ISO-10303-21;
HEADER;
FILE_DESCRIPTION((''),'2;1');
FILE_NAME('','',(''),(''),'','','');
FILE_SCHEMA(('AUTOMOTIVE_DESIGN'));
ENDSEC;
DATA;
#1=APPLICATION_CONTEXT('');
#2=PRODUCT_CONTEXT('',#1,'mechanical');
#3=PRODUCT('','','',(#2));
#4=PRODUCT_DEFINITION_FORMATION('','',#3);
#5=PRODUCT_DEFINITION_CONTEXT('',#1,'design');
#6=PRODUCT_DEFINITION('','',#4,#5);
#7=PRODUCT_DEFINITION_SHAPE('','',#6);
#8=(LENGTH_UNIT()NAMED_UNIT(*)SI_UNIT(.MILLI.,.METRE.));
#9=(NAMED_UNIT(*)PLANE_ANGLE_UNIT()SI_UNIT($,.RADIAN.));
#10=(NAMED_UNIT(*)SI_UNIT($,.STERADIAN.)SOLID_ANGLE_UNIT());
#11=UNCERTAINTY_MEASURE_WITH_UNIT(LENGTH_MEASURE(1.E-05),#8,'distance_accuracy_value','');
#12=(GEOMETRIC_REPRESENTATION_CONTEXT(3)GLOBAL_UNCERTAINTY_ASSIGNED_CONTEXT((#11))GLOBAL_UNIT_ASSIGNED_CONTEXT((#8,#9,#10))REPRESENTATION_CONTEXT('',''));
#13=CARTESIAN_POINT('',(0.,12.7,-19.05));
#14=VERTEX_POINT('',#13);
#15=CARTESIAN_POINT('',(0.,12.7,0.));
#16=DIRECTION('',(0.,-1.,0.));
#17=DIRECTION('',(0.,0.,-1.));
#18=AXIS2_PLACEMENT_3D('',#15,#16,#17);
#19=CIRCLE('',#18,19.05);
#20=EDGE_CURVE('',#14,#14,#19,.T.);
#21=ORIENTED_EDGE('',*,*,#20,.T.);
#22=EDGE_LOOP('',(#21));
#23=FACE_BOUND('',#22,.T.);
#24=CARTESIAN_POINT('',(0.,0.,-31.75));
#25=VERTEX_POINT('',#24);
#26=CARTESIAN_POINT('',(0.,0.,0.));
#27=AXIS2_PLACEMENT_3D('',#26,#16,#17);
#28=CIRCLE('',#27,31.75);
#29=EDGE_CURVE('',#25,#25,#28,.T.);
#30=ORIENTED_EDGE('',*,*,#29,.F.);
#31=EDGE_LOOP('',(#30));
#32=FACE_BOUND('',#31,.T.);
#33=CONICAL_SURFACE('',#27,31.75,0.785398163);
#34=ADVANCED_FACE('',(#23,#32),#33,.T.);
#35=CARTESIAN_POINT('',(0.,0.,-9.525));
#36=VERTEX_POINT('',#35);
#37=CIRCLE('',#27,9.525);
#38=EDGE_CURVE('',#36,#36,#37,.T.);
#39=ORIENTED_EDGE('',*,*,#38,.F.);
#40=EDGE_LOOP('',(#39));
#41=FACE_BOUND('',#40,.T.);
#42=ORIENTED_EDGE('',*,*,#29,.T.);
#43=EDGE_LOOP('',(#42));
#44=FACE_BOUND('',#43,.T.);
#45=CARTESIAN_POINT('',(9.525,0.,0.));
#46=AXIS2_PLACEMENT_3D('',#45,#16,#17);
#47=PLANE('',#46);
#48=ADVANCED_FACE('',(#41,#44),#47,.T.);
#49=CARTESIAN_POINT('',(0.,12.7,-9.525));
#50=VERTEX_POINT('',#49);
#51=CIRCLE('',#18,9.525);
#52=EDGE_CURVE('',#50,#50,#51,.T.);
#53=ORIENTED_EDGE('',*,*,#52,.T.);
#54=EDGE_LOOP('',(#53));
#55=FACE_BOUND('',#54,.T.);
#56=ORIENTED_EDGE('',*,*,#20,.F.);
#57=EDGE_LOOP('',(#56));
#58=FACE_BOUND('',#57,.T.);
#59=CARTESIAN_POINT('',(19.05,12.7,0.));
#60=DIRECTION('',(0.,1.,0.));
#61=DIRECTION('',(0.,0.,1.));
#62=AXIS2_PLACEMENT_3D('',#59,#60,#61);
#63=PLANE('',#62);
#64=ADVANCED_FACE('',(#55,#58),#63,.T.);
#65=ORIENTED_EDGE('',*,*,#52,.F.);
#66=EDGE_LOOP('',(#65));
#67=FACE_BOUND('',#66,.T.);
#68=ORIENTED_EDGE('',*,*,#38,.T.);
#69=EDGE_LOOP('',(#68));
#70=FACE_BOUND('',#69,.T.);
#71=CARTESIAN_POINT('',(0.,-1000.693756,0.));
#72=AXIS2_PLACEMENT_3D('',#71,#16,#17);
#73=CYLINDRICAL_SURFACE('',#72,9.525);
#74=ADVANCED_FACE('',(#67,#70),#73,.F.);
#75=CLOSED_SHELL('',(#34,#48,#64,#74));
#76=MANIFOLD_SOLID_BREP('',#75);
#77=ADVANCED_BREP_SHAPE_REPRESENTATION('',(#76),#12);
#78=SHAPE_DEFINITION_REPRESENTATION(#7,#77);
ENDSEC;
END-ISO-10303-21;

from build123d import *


with BuildPart() as part:
    # Sketch1 → Revolve1 (revolve)
    with BuildSketch(Plane.XY):
        Polygon((9.525, 0), (31.75, 0), (19.05, 12.7), (9.525, 12.7), align=None)
    revolve(axis=Axis((0, -1000.69375591, 0), (0, 1, 0)))


solid = part.part
